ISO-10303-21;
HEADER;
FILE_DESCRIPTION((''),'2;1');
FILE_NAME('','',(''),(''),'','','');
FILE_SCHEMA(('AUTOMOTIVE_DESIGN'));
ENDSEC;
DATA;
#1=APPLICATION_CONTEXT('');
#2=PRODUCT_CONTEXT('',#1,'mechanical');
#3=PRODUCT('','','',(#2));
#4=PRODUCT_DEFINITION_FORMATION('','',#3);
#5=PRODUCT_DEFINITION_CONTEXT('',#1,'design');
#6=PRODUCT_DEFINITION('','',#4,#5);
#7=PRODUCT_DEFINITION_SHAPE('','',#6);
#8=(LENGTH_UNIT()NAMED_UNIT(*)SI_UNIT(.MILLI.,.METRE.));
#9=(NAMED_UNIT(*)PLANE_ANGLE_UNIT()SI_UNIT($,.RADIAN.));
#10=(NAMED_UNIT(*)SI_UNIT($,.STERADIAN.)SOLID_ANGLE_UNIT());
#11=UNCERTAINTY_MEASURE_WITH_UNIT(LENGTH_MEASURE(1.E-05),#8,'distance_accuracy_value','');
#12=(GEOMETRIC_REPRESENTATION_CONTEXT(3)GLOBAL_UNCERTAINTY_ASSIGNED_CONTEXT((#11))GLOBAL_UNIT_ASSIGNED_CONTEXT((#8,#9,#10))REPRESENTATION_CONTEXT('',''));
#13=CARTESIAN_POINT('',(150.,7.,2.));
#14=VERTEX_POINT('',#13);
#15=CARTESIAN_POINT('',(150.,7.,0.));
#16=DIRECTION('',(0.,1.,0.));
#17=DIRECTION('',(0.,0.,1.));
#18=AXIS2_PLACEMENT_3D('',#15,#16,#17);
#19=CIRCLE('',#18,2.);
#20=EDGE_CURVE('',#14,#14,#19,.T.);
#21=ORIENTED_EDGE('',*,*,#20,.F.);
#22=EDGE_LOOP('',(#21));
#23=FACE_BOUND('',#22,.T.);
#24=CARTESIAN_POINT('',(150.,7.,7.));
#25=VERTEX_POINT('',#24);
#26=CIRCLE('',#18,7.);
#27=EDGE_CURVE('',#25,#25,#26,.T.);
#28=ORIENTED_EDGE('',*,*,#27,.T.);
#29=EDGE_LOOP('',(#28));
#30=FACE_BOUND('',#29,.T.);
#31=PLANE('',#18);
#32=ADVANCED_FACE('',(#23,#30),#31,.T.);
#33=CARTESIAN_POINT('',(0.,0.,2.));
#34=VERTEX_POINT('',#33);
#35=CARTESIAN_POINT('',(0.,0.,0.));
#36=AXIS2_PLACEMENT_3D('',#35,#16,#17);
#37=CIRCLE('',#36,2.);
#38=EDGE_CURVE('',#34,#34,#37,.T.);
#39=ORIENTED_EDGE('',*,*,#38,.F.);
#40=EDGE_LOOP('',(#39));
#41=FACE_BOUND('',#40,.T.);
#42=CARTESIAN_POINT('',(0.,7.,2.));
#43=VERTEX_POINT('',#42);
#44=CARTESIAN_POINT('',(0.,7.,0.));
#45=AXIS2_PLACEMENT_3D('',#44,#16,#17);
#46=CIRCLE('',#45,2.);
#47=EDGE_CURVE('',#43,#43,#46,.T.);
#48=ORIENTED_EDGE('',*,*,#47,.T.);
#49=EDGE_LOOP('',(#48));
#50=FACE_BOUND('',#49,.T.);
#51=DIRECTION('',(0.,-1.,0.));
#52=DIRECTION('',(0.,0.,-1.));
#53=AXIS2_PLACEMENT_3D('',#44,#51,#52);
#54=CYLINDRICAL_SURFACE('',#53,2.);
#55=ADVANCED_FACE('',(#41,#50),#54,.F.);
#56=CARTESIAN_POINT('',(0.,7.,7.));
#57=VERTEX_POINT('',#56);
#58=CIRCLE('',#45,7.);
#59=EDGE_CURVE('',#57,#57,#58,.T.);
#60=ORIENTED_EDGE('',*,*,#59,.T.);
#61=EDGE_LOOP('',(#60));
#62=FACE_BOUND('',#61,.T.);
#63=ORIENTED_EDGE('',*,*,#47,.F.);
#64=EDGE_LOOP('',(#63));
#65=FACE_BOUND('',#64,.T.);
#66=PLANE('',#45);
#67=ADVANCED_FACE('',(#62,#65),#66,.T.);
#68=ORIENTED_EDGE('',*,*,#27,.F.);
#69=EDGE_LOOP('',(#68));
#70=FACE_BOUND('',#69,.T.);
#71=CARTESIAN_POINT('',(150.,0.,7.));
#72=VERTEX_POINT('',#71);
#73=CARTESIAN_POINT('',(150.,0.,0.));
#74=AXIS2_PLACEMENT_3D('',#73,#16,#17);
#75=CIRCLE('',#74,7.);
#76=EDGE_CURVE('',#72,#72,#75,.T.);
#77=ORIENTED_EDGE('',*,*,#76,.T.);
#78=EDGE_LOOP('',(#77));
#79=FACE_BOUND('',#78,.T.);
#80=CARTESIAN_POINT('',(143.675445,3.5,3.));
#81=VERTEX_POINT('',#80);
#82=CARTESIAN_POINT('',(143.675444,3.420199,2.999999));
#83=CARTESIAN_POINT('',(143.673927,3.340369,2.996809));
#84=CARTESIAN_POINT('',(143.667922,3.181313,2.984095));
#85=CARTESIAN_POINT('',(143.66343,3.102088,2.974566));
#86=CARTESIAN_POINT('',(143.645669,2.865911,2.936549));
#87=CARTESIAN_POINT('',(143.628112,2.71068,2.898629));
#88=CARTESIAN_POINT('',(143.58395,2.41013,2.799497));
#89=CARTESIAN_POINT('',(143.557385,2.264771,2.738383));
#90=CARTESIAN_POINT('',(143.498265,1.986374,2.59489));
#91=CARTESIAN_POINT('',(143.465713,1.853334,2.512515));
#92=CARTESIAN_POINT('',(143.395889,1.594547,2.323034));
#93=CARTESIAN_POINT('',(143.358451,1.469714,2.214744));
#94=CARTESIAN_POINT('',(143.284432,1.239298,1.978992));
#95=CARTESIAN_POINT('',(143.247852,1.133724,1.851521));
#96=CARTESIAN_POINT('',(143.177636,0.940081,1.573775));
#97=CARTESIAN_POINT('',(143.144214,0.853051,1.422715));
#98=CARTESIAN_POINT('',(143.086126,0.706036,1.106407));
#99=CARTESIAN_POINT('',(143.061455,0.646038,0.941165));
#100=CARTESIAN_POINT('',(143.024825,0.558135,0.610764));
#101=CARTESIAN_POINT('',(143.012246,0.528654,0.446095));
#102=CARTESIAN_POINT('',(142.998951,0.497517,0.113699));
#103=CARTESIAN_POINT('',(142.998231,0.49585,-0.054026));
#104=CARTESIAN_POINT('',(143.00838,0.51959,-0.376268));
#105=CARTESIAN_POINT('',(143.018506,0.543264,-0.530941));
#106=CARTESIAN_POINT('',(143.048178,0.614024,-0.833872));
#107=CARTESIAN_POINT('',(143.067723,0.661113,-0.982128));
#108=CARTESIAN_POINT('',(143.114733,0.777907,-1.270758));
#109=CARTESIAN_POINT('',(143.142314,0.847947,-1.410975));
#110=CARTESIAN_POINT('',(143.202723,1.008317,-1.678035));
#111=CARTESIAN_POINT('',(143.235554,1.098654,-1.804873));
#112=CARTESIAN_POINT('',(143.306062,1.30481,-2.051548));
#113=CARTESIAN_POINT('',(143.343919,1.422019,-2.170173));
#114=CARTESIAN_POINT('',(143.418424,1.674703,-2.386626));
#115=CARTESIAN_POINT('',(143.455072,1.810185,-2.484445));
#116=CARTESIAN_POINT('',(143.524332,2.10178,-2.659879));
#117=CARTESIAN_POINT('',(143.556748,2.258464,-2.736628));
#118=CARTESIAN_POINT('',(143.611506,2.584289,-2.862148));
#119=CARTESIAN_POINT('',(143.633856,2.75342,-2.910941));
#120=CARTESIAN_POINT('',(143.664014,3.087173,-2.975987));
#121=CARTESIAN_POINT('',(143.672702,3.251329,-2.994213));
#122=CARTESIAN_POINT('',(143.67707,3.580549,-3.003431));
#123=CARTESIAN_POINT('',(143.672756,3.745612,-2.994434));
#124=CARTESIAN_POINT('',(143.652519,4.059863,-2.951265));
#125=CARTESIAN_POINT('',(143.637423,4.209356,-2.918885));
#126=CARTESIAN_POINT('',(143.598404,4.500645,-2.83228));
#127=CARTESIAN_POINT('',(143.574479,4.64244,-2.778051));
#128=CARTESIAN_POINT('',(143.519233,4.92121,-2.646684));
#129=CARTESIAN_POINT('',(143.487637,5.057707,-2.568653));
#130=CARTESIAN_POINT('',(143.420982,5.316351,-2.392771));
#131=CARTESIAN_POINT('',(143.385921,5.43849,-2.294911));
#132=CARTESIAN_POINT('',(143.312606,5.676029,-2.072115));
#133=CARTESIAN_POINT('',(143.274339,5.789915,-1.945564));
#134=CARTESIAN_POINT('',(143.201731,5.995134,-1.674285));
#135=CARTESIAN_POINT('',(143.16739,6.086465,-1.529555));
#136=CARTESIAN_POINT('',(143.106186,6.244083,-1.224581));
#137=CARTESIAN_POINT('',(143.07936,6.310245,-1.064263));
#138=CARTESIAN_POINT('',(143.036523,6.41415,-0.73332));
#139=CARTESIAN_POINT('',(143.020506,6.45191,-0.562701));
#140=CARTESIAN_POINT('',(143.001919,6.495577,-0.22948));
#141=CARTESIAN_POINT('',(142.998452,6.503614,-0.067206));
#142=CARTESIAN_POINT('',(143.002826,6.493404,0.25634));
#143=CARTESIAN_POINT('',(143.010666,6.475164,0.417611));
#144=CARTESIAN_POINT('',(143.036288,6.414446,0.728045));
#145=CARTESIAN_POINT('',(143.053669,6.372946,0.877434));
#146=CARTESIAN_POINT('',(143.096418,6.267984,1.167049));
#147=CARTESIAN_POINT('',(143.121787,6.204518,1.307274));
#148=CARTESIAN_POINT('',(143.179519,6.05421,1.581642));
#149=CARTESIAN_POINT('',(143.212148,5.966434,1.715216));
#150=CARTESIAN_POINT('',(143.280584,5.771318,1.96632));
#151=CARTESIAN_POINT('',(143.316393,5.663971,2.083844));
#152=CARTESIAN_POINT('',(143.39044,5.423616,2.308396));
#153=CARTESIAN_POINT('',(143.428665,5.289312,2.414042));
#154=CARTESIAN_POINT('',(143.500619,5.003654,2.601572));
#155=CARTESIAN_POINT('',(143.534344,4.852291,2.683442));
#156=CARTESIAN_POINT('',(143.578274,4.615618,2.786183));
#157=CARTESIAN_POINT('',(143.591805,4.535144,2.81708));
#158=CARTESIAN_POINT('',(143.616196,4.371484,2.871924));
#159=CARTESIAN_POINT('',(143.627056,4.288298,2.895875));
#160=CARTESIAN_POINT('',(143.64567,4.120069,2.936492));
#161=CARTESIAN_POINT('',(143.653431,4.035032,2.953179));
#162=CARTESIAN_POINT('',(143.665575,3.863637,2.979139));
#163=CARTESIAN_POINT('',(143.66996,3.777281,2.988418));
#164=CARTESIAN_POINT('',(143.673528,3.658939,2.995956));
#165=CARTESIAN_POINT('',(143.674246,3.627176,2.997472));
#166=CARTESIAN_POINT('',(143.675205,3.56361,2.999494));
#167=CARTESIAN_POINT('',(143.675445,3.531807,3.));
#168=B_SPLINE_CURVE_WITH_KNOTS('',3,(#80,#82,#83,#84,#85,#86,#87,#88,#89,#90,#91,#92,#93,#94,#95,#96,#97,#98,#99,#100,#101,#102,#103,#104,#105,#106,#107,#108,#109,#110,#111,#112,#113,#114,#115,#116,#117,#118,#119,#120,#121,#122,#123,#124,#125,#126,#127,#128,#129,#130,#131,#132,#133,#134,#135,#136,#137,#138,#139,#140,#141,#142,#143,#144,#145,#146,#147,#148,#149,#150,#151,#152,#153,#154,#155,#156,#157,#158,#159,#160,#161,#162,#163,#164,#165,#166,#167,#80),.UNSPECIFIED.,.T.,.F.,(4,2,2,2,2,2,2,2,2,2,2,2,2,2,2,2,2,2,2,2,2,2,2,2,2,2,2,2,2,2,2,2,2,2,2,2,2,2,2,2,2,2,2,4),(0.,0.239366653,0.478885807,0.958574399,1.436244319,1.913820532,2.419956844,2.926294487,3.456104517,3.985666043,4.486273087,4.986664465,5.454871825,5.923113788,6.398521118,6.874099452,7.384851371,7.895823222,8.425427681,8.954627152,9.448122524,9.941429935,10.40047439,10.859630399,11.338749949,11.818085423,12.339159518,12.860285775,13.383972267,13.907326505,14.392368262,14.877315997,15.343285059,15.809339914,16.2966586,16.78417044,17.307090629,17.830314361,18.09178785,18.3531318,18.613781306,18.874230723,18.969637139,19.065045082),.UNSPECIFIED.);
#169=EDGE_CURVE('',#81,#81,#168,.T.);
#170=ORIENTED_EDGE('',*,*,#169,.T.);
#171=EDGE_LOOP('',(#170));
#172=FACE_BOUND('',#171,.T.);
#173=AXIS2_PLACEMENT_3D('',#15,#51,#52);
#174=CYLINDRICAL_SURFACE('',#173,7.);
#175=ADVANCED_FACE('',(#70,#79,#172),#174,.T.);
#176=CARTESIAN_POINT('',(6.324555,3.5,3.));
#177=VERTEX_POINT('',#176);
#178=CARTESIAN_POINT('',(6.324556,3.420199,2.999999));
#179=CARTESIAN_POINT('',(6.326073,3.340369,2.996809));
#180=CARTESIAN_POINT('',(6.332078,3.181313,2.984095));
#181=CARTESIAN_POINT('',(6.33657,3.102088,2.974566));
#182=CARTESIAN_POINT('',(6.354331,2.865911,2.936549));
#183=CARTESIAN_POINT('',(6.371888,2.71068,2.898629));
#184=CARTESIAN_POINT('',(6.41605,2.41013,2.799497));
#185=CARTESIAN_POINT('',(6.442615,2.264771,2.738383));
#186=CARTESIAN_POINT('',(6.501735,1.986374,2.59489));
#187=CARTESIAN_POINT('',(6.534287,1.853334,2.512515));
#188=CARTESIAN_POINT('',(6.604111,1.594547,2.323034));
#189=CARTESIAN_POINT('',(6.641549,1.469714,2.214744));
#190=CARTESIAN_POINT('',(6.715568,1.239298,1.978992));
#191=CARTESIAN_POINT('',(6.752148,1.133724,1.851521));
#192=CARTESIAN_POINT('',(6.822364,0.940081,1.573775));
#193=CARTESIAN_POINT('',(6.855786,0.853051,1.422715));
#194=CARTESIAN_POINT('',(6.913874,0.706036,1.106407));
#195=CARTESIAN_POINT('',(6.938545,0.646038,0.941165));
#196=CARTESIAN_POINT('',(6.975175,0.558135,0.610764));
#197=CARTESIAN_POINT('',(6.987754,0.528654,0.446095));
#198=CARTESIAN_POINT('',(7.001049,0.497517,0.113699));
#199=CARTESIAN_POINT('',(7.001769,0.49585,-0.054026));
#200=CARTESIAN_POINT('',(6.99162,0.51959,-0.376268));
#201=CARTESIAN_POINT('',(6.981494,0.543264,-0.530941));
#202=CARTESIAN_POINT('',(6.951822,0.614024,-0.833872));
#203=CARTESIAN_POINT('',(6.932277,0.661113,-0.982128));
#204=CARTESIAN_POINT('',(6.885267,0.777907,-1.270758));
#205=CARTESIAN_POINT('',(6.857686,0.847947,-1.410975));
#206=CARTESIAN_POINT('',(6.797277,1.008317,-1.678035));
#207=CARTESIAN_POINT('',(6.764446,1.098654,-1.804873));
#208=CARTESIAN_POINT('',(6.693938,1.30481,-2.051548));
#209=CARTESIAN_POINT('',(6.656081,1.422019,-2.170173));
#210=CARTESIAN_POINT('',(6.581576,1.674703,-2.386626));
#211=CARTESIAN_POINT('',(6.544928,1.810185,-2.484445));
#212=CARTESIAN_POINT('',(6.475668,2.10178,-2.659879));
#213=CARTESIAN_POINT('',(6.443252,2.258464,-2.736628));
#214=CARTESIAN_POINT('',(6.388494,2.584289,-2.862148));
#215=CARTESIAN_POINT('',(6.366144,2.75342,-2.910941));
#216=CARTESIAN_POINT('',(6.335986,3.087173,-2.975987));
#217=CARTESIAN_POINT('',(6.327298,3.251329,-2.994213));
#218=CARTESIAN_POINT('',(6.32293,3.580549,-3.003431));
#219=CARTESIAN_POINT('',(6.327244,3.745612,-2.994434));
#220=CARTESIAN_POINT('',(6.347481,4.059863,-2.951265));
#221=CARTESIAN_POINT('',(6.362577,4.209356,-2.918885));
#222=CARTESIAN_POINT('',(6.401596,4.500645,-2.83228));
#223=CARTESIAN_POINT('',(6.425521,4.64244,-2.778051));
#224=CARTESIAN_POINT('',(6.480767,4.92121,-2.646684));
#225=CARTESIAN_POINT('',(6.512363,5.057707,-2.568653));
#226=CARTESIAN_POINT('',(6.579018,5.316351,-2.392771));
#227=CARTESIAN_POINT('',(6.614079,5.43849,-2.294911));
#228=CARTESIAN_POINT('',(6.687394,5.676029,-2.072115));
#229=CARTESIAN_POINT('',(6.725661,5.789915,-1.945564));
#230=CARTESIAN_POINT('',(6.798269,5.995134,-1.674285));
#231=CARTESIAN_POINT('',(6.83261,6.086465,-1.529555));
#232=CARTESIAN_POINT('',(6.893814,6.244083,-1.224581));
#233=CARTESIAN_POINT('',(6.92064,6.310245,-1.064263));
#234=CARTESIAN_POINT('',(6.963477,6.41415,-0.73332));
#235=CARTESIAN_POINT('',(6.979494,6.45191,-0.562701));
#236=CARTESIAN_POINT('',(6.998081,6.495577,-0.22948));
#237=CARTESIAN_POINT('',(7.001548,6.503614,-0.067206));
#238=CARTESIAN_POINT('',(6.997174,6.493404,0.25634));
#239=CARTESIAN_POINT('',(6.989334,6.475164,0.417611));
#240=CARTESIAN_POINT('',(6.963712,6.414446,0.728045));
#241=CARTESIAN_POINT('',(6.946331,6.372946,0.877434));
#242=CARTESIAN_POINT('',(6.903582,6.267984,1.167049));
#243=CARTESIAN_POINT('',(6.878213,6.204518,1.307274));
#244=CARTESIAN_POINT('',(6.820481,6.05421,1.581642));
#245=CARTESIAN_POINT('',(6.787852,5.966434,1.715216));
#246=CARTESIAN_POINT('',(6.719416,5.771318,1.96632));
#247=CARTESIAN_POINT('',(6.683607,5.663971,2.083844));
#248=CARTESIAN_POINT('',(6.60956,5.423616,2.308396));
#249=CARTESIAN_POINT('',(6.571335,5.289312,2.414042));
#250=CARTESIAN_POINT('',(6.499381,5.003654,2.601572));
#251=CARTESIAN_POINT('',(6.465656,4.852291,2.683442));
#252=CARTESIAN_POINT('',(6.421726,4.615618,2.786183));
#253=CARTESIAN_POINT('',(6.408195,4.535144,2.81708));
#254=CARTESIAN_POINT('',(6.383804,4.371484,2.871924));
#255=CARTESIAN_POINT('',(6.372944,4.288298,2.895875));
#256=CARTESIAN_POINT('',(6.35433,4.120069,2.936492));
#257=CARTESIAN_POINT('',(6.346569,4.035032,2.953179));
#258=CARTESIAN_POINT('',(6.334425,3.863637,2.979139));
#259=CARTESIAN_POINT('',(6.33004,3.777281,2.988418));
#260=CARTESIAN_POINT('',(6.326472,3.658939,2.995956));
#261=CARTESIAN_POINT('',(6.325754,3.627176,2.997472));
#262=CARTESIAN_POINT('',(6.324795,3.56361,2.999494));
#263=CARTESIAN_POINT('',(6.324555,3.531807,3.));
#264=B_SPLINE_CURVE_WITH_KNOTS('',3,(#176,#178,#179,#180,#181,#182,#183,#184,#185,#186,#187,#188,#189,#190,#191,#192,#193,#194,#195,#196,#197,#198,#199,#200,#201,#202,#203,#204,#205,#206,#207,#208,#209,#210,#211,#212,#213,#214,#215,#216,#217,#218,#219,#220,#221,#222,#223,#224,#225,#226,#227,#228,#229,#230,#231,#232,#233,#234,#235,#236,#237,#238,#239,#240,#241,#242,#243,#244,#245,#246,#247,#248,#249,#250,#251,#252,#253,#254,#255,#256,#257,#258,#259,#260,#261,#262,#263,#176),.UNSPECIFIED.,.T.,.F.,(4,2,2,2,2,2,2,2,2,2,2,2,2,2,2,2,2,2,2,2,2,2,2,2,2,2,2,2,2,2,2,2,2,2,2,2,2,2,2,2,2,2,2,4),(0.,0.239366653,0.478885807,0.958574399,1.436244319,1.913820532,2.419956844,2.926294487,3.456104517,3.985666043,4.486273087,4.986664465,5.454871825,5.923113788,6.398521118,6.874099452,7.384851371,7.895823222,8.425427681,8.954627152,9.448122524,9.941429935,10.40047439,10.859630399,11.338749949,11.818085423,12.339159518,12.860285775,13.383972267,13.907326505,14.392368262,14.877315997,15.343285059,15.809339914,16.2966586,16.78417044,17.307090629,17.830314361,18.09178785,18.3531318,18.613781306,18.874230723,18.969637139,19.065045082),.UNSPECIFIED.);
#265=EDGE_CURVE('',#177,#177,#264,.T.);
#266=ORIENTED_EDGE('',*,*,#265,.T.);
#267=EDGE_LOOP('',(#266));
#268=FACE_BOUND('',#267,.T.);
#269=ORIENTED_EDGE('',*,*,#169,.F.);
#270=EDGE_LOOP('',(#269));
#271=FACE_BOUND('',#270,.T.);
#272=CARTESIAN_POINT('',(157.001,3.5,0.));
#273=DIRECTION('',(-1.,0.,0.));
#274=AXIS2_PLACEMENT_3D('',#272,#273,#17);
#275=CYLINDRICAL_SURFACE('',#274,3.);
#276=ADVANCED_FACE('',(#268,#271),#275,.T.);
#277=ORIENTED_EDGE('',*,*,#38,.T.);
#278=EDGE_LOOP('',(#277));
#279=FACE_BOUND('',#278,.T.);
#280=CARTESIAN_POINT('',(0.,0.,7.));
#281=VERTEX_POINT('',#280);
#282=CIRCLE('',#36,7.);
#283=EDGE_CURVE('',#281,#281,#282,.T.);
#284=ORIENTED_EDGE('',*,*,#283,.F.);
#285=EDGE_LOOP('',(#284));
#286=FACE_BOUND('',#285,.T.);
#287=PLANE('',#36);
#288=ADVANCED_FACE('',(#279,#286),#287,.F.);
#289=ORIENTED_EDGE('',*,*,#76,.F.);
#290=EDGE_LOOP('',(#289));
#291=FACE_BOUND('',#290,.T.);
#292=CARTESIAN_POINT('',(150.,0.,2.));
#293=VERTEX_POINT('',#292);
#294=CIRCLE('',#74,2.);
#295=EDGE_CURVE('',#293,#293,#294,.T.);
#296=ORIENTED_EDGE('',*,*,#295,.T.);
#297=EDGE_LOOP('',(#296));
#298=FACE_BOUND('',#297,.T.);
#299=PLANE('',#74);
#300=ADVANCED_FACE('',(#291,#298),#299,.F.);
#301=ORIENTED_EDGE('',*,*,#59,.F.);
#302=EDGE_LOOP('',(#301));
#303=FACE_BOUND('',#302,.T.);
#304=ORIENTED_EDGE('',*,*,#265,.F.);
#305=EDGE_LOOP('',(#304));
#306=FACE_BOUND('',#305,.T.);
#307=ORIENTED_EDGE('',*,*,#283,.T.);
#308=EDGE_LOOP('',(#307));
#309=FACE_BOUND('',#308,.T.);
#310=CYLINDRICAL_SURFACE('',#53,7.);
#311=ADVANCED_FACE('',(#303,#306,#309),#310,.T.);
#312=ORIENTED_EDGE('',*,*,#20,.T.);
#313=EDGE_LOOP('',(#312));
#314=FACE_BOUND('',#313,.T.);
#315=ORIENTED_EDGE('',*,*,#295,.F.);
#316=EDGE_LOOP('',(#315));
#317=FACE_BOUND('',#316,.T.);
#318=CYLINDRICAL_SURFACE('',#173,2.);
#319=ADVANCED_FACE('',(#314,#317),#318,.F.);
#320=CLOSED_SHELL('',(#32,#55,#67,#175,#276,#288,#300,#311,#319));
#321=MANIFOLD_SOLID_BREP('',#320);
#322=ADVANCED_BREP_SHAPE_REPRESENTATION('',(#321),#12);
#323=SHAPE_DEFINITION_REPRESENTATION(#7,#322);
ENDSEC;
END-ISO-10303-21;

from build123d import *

# Parameters (mm, degrees)
SKETCH1_R                            = 7
SKETCH1_R_2                          = 2
BOSS_EXTRUDE1_DEPTH                  = 7
BOSS_EXTRUDE1_2_DEPTH                = 7
BOSS_EXTRUDE2_REACH                  = 136.864
BOSS_EXTRUDE2_END_RADIUS             = 7
SKETCH2_R                            = 3
BOSS_EXTRUDE2_DIRECTION_2_REACH      = 136.864
BOSS_EXTRUDE2_DIRECTION_2_END_RADIUS = 7


with BuildPart() as part:
    # Sketch1 → Boss-Extrude1 (new body)
    with BuildSketch(Plane(origin=(0, 0, 0), x_dir=(1, 0, 0), z_dir=(0, 1, 0))):
        with Locations(Location((0, 0, 0), (0, 0, 270))):
            Circle(SKETCH1_R)
        with Locations(Location((0, 0, 0), (0, 0, 270))):
            Circle(SKETCH1_R_2, mode=Mode.SUBTRACT)
    extrude(amount=BOSS_EXTRUDE1_DEPTH)



with BuildPart() as body_2:
    # Sketch1 → Boss-Extrude1 2 (new body)
    with BuildSketch(Plane(origin=(0, 0, 0), x_dir=(1, 0, 0), z_dir=(0, 1, 0))):
        with Locations(Location((150, 0, 0), (0, 0, 270))):
            Circle(SKETCH1_R)
        with Locations(Location((150, 0, 0), (0, 0, 270))):
            Circle(SKETCH1_R_2, mode=Mode.SUBTRACT)
    extrude(amount=BOSS_EXTRUDE1_2_DEPTH)


with BuildPart() as part_1:
    add(part.part)

    add(body_2.part)  # Boss-Extrude2 merges body 2
    # Boss-Extrude2: up to this cylinder (the profile starts outside it)
    boss_extrude2_end = Plane(origin=(150, 3.5, 0), z_dir=(0, -1, 0)) * Cylinder(BOSS_EXTRUDE2_END_RADIUS, 288.728, mode=Mode.PRIVATE)
    # Sketch2 → Boss-Extrude2 (add, up to the surface)
    with BuildSketch(Plane(origin=(22.5, 0, 0), x_dir=(0, 0, -1), z_dir=(1, 0, 0)), mode=Mode.PRIVATE) as boss_extrude2_sk1:
        with Locations(Location((0, 3.5, 0), (0, 0, 180))):
            Circle(SKETCH2_R)
    boss_extrude2_tool1 = extrude(boss_extrude2_sk1.sketch, amount=BOSS_EXTRUDE2_REACH, mode=Mode.PRIVATE) - boss_extrude2_end
    add(boss_extrude2_tool1.solids().sort_by_distance((22.5, 3.5, 0))[0])

    # Boss-Extrude2 direction 2: up to this cylinder (the profile starts outside it)
    boss_extrude2_direction_2_end = Plane(origin=(0, 3.5, 0), z_dir=(0, -1, 0)) * Cylinder(BOSS_EXTRUDE2_DIRECTION_2_END_RADIUS, 288.728, mode=Mode.PRIVATE)
    # Sketch2 → Boss-Extrude2 direction 2 (add, up to the surface)
    with BuildSketch(Plane(origin=(22.5, 0, 0), x_dir=(0, 0, -1), z_dir=(1, 0, 0)), mode=Mode.PRIVATE) as boss_extrude2_direction_2_sk1:
        with Locations(Location((0, 3.5, 0), (0, 0, 180))):
            Circle(SKETCH2_R)
    boss_extrude2_direction_2_tool1 = extrude(boss_extrude2_direction_2_sk1.sketch, amount=-BOSS_EXTRUDE2_DIRECTION_2_REACH, mode=Mode.PRIVATE) - boss_extrude2_direction_2_end
    add(boss_extrude2_direction_2_tool1.solids().sort_by_distance((22.5, 3.5, 0))[0])


solid = part_1.part
